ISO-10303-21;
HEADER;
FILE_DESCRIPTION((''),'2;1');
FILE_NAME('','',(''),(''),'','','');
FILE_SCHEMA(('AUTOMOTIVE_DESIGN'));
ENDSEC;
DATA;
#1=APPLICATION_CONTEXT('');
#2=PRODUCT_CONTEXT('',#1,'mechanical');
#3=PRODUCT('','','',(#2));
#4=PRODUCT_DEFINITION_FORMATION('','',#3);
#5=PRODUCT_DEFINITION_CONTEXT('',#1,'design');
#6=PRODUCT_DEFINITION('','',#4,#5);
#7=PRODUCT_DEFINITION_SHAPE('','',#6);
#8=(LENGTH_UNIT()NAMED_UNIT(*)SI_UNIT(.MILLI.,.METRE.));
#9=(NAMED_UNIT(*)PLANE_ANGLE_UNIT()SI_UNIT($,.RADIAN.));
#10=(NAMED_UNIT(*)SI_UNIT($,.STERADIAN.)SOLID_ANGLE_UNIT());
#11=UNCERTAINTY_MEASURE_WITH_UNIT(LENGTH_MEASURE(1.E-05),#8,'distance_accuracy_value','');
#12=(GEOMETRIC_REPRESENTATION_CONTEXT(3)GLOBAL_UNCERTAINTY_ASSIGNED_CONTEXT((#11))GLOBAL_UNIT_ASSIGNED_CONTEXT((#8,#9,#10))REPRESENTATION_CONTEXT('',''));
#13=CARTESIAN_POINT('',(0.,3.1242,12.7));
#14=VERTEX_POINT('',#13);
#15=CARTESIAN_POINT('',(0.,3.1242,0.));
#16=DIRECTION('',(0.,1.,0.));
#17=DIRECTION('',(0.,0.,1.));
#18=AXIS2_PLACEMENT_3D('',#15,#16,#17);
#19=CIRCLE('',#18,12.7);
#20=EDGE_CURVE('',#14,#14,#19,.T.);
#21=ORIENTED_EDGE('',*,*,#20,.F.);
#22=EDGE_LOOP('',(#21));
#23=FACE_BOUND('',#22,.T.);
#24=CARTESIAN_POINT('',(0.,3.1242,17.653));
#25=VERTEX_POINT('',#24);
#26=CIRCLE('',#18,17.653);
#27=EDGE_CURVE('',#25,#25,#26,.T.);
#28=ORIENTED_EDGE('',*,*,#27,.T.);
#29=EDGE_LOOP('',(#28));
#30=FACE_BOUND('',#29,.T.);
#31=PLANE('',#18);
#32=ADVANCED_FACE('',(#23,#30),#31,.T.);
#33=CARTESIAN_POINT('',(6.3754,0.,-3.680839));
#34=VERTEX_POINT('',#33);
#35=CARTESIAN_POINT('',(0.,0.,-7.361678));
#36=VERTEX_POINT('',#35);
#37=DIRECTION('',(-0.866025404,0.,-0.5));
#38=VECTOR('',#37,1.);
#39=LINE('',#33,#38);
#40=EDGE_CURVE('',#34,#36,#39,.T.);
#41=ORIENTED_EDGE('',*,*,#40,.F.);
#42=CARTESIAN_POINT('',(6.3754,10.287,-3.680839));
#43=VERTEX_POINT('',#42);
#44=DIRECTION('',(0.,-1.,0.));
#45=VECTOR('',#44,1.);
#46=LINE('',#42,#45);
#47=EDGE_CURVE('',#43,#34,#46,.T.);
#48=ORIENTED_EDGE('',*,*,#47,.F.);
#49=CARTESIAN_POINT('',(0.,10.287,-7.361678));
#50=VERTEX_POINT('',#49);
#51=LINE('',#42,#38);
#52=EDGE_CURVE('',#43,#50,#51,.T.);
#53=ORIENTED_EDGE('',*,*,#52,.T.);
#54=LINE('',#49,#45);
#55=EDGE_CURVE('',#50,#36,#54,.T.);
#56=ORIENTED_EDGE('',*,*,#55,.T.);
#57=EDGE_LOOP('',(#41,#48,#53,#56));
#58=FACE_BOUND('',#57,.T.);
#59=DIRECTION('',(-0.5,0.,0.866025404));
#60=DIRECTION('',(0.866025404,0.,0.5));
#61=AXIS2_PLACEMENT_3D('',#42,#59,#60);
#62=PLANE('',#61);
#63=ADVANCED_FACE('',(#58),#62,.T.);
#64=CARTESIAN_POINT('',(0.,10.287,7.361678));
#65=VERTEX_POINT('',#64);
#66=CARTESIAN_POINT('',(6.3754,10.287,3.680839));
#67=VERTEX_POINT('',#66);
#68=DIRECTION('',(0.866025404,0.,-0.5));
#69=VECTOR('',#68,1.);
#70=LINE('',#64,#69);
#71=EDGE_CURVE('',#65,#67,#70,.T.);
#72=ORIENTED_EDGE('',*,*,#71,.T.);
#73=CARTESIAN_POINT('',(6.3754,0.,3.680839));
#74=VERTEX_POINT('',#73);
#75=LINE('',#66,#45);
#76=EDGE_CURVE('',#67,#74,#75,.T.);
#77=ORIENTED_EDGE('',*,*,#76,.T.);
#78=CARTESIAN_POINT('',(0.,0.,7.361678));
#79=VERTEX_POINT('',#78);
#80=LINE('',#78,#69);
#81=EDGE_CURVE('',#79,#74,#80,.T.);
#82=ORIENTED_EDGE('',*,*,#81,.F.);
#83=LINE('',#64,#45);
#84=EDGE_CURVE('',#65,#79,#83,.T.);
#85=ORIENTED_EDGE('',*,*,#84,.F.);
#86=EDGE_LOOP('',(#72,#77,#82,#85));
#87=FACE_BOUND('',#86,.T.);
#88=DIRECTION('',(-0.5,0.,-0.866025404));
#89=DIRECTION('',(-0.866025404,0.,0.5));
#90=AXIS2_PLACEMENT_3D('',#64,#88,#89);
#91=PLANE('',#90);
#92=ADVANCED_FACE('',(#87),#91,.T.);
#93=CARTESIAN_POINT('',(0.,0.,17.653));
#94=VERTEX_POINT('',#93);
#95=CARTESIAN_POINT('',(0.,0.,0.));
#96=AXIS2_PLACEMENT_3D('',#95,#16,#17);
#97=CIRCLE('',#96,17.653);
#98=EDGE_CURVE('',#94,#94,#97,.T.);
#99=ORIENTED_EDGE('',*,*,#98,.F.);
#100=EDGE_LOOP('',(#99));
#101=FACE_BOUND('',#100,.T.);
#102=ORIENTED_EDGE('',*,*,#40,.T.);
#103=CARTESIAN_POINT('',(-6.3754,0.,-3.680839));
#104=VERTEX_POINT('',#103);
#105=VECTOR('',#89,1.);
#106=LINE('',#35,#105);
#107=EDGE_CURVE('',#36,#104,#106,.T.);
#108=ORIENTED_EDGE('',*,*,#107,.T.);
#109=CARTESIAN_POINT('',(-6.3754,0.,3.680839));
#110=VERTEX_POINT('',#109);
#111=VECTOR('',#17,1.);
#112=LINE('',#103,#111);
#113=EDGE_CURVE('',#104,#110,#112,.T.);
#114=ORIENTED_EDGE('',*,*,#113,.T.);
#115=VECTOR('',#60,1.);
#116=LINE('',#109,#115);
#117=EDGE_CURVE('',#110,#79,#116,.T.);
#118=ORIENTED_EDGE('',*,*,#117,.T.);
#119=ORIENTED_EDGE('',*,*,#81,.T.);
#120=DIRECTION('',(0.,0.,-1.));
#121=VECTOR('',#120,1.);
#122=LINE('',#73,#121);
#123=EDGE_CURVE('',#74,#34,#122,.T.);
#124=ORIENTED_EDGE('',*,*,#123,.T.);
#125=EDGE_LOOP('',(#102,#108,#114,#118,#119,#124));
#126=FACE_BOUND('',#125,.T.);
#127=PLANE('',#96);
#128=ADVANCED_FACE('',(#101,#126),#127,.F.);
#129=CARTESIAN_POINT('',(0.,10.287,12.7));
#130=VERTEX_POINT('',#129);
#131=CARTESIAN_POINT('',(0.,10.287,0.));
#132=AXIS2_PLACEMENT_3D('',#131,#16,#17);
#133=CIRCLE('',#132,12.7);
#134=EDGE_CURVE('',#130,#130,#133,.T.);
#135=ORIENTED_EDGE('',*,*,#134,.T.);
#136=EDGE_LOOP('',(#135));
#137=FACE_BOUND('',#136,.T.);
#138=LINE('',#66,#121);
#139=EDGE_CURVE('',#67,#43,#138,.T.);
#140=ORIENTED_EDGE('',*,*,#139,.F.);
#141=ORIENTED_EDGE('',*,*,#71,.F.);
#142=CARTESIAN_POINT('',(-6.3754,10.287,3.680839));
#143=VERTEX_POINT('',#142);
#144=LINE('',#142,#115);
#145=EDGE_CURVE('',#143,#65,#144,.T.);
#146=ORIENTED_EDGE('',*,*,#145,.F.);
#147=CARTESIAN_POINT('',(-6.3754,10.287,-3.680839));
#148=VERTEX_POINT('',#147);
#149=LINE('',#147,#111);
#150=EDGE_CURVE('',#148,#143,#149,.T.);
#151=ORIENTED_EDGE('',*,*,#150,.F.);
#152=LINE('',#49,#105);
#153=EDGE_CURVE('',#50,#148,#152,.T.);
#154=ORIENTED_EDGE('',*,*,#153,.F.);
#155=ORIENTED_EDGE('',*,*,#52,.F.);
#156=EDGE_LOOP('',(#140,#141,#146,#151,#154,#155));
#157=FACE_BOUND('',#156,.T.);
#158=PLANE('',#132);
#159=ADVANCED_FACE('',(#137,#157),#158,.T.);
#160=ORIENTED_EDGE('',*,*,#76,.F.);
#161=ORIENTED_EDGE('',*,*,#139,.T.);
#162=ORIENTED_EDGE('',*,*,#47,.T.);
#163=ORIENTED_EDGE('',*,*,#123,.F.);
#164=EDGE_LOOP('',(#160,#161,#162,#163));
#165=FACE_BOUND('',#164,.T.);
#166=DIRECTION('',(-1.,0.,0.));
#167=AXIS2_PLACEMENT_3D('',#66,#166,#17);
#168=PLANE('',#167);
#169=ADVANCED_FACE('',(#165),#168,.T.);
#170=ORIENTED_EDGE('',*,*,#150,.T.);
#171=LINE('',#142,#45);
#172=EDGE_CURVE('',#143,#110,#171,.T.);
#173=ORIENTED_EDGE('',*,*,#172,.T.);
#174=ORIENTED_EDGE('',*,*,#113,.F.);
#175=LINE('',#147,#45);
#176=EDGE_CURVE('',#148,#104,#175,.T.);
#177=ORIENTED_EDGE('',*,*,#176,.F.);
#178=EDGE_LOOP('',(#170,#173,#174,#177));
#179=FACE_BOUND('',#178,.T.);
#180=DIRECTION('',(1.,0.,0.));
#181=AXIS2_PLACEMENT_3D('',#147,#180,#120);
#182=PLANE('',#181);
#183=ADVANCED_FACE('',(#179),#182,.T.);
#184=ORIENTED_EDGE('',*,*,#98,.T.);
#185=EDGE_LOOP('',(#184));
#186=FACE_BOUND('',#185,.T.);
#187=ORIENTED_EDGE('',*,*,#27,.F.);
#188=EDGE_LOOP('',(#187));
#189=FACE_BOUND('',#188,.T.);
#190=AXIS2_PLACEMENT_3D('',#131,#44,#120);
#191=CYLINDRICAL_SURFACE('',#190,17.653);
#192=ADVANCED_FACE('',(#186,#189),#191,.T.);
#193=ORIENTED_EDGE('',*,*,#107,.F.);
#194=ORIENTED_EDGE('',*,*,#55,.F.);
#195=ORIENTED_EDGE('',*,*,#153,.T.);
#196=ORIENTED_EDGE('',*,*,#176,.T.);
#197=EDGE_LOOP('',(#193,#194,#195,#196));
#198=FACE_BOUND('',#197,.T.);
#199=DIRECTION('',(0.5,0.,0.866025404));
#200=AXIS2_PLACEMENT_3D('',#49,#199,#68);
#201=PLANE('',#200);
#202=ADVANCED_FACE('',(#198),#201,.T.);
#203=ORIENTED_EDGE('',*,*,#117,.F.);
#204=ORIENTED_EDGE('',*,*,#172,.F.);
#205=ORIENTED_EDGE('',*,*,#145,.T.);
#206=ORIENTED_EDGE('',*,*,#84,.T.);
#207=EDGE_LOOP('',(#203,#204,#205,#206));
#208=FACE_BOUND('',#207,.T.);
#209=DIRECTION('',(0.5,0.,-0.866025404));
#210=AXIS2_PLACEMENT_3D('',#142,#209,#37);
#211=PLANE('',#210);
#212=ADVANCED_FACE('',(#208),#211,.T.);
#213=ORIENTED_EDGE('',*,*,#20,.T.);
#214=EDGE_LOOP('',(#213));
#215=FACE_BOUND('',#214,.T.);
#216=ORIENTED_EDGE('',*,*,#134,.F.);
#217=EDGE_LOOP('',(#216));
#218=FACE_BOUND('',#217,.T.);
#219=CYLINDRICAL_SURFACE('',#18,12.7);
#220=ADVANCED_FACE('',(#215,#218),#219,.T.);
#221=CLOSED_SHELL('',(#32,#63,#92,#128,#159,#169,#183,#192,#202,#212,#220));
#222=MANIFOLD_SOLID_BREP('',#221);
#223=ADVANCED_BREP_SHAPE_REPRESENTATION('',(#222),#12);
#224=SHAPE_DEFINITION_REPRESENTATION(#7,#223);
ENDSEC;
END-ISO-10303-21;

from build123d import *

# Parameters (mm, degrees)
SKETCH1_R           = 17.653
BOSS_EXTRUDE1_DEPTH = 10.287
SKETCH3_R           = 23.749
SKETCH3_R_2         = 12.7
CUT_EXTRUDE2_DEPTH  = 7.1628


with BuildPart() as part:
    # Sketch1 → Boss-Extrude1 (new body)
    with BuildSketch(Plane(origin=(0, 0, 0), x_dir=(1, 0, 0), z_dir=(0, 1, 0))):
        Circle(SKETCH1_R)
        Polygon((0, 7.361677812), (-6.3754, 3.680838906), (-6.3754, -3.680838906), (0, -7.361677812), (6.3754, -3.680838906), (6.3754, 3.680838906), align=None, mode=Mode.SUBTRACT)
    extrude(amount=BOSS_EXTRUDE1_DEPTH)

    # Sketch3 → Cut-Extrude2 (cut)
    with BuildSketch(Plane(origin=(0, 10.287, 0), x_dir=(1, 0, 0), z_dir=(0, 1, 0))):
        Circle(SKETCH3_R)
        Circle(SKETCH3_R_2, mode=Mode.SUBTRACT)
    extrude(amount=-CUT_EXTRUDE2_DEPTH, mode=Mode.SUBTRACT)


solid = part.part
